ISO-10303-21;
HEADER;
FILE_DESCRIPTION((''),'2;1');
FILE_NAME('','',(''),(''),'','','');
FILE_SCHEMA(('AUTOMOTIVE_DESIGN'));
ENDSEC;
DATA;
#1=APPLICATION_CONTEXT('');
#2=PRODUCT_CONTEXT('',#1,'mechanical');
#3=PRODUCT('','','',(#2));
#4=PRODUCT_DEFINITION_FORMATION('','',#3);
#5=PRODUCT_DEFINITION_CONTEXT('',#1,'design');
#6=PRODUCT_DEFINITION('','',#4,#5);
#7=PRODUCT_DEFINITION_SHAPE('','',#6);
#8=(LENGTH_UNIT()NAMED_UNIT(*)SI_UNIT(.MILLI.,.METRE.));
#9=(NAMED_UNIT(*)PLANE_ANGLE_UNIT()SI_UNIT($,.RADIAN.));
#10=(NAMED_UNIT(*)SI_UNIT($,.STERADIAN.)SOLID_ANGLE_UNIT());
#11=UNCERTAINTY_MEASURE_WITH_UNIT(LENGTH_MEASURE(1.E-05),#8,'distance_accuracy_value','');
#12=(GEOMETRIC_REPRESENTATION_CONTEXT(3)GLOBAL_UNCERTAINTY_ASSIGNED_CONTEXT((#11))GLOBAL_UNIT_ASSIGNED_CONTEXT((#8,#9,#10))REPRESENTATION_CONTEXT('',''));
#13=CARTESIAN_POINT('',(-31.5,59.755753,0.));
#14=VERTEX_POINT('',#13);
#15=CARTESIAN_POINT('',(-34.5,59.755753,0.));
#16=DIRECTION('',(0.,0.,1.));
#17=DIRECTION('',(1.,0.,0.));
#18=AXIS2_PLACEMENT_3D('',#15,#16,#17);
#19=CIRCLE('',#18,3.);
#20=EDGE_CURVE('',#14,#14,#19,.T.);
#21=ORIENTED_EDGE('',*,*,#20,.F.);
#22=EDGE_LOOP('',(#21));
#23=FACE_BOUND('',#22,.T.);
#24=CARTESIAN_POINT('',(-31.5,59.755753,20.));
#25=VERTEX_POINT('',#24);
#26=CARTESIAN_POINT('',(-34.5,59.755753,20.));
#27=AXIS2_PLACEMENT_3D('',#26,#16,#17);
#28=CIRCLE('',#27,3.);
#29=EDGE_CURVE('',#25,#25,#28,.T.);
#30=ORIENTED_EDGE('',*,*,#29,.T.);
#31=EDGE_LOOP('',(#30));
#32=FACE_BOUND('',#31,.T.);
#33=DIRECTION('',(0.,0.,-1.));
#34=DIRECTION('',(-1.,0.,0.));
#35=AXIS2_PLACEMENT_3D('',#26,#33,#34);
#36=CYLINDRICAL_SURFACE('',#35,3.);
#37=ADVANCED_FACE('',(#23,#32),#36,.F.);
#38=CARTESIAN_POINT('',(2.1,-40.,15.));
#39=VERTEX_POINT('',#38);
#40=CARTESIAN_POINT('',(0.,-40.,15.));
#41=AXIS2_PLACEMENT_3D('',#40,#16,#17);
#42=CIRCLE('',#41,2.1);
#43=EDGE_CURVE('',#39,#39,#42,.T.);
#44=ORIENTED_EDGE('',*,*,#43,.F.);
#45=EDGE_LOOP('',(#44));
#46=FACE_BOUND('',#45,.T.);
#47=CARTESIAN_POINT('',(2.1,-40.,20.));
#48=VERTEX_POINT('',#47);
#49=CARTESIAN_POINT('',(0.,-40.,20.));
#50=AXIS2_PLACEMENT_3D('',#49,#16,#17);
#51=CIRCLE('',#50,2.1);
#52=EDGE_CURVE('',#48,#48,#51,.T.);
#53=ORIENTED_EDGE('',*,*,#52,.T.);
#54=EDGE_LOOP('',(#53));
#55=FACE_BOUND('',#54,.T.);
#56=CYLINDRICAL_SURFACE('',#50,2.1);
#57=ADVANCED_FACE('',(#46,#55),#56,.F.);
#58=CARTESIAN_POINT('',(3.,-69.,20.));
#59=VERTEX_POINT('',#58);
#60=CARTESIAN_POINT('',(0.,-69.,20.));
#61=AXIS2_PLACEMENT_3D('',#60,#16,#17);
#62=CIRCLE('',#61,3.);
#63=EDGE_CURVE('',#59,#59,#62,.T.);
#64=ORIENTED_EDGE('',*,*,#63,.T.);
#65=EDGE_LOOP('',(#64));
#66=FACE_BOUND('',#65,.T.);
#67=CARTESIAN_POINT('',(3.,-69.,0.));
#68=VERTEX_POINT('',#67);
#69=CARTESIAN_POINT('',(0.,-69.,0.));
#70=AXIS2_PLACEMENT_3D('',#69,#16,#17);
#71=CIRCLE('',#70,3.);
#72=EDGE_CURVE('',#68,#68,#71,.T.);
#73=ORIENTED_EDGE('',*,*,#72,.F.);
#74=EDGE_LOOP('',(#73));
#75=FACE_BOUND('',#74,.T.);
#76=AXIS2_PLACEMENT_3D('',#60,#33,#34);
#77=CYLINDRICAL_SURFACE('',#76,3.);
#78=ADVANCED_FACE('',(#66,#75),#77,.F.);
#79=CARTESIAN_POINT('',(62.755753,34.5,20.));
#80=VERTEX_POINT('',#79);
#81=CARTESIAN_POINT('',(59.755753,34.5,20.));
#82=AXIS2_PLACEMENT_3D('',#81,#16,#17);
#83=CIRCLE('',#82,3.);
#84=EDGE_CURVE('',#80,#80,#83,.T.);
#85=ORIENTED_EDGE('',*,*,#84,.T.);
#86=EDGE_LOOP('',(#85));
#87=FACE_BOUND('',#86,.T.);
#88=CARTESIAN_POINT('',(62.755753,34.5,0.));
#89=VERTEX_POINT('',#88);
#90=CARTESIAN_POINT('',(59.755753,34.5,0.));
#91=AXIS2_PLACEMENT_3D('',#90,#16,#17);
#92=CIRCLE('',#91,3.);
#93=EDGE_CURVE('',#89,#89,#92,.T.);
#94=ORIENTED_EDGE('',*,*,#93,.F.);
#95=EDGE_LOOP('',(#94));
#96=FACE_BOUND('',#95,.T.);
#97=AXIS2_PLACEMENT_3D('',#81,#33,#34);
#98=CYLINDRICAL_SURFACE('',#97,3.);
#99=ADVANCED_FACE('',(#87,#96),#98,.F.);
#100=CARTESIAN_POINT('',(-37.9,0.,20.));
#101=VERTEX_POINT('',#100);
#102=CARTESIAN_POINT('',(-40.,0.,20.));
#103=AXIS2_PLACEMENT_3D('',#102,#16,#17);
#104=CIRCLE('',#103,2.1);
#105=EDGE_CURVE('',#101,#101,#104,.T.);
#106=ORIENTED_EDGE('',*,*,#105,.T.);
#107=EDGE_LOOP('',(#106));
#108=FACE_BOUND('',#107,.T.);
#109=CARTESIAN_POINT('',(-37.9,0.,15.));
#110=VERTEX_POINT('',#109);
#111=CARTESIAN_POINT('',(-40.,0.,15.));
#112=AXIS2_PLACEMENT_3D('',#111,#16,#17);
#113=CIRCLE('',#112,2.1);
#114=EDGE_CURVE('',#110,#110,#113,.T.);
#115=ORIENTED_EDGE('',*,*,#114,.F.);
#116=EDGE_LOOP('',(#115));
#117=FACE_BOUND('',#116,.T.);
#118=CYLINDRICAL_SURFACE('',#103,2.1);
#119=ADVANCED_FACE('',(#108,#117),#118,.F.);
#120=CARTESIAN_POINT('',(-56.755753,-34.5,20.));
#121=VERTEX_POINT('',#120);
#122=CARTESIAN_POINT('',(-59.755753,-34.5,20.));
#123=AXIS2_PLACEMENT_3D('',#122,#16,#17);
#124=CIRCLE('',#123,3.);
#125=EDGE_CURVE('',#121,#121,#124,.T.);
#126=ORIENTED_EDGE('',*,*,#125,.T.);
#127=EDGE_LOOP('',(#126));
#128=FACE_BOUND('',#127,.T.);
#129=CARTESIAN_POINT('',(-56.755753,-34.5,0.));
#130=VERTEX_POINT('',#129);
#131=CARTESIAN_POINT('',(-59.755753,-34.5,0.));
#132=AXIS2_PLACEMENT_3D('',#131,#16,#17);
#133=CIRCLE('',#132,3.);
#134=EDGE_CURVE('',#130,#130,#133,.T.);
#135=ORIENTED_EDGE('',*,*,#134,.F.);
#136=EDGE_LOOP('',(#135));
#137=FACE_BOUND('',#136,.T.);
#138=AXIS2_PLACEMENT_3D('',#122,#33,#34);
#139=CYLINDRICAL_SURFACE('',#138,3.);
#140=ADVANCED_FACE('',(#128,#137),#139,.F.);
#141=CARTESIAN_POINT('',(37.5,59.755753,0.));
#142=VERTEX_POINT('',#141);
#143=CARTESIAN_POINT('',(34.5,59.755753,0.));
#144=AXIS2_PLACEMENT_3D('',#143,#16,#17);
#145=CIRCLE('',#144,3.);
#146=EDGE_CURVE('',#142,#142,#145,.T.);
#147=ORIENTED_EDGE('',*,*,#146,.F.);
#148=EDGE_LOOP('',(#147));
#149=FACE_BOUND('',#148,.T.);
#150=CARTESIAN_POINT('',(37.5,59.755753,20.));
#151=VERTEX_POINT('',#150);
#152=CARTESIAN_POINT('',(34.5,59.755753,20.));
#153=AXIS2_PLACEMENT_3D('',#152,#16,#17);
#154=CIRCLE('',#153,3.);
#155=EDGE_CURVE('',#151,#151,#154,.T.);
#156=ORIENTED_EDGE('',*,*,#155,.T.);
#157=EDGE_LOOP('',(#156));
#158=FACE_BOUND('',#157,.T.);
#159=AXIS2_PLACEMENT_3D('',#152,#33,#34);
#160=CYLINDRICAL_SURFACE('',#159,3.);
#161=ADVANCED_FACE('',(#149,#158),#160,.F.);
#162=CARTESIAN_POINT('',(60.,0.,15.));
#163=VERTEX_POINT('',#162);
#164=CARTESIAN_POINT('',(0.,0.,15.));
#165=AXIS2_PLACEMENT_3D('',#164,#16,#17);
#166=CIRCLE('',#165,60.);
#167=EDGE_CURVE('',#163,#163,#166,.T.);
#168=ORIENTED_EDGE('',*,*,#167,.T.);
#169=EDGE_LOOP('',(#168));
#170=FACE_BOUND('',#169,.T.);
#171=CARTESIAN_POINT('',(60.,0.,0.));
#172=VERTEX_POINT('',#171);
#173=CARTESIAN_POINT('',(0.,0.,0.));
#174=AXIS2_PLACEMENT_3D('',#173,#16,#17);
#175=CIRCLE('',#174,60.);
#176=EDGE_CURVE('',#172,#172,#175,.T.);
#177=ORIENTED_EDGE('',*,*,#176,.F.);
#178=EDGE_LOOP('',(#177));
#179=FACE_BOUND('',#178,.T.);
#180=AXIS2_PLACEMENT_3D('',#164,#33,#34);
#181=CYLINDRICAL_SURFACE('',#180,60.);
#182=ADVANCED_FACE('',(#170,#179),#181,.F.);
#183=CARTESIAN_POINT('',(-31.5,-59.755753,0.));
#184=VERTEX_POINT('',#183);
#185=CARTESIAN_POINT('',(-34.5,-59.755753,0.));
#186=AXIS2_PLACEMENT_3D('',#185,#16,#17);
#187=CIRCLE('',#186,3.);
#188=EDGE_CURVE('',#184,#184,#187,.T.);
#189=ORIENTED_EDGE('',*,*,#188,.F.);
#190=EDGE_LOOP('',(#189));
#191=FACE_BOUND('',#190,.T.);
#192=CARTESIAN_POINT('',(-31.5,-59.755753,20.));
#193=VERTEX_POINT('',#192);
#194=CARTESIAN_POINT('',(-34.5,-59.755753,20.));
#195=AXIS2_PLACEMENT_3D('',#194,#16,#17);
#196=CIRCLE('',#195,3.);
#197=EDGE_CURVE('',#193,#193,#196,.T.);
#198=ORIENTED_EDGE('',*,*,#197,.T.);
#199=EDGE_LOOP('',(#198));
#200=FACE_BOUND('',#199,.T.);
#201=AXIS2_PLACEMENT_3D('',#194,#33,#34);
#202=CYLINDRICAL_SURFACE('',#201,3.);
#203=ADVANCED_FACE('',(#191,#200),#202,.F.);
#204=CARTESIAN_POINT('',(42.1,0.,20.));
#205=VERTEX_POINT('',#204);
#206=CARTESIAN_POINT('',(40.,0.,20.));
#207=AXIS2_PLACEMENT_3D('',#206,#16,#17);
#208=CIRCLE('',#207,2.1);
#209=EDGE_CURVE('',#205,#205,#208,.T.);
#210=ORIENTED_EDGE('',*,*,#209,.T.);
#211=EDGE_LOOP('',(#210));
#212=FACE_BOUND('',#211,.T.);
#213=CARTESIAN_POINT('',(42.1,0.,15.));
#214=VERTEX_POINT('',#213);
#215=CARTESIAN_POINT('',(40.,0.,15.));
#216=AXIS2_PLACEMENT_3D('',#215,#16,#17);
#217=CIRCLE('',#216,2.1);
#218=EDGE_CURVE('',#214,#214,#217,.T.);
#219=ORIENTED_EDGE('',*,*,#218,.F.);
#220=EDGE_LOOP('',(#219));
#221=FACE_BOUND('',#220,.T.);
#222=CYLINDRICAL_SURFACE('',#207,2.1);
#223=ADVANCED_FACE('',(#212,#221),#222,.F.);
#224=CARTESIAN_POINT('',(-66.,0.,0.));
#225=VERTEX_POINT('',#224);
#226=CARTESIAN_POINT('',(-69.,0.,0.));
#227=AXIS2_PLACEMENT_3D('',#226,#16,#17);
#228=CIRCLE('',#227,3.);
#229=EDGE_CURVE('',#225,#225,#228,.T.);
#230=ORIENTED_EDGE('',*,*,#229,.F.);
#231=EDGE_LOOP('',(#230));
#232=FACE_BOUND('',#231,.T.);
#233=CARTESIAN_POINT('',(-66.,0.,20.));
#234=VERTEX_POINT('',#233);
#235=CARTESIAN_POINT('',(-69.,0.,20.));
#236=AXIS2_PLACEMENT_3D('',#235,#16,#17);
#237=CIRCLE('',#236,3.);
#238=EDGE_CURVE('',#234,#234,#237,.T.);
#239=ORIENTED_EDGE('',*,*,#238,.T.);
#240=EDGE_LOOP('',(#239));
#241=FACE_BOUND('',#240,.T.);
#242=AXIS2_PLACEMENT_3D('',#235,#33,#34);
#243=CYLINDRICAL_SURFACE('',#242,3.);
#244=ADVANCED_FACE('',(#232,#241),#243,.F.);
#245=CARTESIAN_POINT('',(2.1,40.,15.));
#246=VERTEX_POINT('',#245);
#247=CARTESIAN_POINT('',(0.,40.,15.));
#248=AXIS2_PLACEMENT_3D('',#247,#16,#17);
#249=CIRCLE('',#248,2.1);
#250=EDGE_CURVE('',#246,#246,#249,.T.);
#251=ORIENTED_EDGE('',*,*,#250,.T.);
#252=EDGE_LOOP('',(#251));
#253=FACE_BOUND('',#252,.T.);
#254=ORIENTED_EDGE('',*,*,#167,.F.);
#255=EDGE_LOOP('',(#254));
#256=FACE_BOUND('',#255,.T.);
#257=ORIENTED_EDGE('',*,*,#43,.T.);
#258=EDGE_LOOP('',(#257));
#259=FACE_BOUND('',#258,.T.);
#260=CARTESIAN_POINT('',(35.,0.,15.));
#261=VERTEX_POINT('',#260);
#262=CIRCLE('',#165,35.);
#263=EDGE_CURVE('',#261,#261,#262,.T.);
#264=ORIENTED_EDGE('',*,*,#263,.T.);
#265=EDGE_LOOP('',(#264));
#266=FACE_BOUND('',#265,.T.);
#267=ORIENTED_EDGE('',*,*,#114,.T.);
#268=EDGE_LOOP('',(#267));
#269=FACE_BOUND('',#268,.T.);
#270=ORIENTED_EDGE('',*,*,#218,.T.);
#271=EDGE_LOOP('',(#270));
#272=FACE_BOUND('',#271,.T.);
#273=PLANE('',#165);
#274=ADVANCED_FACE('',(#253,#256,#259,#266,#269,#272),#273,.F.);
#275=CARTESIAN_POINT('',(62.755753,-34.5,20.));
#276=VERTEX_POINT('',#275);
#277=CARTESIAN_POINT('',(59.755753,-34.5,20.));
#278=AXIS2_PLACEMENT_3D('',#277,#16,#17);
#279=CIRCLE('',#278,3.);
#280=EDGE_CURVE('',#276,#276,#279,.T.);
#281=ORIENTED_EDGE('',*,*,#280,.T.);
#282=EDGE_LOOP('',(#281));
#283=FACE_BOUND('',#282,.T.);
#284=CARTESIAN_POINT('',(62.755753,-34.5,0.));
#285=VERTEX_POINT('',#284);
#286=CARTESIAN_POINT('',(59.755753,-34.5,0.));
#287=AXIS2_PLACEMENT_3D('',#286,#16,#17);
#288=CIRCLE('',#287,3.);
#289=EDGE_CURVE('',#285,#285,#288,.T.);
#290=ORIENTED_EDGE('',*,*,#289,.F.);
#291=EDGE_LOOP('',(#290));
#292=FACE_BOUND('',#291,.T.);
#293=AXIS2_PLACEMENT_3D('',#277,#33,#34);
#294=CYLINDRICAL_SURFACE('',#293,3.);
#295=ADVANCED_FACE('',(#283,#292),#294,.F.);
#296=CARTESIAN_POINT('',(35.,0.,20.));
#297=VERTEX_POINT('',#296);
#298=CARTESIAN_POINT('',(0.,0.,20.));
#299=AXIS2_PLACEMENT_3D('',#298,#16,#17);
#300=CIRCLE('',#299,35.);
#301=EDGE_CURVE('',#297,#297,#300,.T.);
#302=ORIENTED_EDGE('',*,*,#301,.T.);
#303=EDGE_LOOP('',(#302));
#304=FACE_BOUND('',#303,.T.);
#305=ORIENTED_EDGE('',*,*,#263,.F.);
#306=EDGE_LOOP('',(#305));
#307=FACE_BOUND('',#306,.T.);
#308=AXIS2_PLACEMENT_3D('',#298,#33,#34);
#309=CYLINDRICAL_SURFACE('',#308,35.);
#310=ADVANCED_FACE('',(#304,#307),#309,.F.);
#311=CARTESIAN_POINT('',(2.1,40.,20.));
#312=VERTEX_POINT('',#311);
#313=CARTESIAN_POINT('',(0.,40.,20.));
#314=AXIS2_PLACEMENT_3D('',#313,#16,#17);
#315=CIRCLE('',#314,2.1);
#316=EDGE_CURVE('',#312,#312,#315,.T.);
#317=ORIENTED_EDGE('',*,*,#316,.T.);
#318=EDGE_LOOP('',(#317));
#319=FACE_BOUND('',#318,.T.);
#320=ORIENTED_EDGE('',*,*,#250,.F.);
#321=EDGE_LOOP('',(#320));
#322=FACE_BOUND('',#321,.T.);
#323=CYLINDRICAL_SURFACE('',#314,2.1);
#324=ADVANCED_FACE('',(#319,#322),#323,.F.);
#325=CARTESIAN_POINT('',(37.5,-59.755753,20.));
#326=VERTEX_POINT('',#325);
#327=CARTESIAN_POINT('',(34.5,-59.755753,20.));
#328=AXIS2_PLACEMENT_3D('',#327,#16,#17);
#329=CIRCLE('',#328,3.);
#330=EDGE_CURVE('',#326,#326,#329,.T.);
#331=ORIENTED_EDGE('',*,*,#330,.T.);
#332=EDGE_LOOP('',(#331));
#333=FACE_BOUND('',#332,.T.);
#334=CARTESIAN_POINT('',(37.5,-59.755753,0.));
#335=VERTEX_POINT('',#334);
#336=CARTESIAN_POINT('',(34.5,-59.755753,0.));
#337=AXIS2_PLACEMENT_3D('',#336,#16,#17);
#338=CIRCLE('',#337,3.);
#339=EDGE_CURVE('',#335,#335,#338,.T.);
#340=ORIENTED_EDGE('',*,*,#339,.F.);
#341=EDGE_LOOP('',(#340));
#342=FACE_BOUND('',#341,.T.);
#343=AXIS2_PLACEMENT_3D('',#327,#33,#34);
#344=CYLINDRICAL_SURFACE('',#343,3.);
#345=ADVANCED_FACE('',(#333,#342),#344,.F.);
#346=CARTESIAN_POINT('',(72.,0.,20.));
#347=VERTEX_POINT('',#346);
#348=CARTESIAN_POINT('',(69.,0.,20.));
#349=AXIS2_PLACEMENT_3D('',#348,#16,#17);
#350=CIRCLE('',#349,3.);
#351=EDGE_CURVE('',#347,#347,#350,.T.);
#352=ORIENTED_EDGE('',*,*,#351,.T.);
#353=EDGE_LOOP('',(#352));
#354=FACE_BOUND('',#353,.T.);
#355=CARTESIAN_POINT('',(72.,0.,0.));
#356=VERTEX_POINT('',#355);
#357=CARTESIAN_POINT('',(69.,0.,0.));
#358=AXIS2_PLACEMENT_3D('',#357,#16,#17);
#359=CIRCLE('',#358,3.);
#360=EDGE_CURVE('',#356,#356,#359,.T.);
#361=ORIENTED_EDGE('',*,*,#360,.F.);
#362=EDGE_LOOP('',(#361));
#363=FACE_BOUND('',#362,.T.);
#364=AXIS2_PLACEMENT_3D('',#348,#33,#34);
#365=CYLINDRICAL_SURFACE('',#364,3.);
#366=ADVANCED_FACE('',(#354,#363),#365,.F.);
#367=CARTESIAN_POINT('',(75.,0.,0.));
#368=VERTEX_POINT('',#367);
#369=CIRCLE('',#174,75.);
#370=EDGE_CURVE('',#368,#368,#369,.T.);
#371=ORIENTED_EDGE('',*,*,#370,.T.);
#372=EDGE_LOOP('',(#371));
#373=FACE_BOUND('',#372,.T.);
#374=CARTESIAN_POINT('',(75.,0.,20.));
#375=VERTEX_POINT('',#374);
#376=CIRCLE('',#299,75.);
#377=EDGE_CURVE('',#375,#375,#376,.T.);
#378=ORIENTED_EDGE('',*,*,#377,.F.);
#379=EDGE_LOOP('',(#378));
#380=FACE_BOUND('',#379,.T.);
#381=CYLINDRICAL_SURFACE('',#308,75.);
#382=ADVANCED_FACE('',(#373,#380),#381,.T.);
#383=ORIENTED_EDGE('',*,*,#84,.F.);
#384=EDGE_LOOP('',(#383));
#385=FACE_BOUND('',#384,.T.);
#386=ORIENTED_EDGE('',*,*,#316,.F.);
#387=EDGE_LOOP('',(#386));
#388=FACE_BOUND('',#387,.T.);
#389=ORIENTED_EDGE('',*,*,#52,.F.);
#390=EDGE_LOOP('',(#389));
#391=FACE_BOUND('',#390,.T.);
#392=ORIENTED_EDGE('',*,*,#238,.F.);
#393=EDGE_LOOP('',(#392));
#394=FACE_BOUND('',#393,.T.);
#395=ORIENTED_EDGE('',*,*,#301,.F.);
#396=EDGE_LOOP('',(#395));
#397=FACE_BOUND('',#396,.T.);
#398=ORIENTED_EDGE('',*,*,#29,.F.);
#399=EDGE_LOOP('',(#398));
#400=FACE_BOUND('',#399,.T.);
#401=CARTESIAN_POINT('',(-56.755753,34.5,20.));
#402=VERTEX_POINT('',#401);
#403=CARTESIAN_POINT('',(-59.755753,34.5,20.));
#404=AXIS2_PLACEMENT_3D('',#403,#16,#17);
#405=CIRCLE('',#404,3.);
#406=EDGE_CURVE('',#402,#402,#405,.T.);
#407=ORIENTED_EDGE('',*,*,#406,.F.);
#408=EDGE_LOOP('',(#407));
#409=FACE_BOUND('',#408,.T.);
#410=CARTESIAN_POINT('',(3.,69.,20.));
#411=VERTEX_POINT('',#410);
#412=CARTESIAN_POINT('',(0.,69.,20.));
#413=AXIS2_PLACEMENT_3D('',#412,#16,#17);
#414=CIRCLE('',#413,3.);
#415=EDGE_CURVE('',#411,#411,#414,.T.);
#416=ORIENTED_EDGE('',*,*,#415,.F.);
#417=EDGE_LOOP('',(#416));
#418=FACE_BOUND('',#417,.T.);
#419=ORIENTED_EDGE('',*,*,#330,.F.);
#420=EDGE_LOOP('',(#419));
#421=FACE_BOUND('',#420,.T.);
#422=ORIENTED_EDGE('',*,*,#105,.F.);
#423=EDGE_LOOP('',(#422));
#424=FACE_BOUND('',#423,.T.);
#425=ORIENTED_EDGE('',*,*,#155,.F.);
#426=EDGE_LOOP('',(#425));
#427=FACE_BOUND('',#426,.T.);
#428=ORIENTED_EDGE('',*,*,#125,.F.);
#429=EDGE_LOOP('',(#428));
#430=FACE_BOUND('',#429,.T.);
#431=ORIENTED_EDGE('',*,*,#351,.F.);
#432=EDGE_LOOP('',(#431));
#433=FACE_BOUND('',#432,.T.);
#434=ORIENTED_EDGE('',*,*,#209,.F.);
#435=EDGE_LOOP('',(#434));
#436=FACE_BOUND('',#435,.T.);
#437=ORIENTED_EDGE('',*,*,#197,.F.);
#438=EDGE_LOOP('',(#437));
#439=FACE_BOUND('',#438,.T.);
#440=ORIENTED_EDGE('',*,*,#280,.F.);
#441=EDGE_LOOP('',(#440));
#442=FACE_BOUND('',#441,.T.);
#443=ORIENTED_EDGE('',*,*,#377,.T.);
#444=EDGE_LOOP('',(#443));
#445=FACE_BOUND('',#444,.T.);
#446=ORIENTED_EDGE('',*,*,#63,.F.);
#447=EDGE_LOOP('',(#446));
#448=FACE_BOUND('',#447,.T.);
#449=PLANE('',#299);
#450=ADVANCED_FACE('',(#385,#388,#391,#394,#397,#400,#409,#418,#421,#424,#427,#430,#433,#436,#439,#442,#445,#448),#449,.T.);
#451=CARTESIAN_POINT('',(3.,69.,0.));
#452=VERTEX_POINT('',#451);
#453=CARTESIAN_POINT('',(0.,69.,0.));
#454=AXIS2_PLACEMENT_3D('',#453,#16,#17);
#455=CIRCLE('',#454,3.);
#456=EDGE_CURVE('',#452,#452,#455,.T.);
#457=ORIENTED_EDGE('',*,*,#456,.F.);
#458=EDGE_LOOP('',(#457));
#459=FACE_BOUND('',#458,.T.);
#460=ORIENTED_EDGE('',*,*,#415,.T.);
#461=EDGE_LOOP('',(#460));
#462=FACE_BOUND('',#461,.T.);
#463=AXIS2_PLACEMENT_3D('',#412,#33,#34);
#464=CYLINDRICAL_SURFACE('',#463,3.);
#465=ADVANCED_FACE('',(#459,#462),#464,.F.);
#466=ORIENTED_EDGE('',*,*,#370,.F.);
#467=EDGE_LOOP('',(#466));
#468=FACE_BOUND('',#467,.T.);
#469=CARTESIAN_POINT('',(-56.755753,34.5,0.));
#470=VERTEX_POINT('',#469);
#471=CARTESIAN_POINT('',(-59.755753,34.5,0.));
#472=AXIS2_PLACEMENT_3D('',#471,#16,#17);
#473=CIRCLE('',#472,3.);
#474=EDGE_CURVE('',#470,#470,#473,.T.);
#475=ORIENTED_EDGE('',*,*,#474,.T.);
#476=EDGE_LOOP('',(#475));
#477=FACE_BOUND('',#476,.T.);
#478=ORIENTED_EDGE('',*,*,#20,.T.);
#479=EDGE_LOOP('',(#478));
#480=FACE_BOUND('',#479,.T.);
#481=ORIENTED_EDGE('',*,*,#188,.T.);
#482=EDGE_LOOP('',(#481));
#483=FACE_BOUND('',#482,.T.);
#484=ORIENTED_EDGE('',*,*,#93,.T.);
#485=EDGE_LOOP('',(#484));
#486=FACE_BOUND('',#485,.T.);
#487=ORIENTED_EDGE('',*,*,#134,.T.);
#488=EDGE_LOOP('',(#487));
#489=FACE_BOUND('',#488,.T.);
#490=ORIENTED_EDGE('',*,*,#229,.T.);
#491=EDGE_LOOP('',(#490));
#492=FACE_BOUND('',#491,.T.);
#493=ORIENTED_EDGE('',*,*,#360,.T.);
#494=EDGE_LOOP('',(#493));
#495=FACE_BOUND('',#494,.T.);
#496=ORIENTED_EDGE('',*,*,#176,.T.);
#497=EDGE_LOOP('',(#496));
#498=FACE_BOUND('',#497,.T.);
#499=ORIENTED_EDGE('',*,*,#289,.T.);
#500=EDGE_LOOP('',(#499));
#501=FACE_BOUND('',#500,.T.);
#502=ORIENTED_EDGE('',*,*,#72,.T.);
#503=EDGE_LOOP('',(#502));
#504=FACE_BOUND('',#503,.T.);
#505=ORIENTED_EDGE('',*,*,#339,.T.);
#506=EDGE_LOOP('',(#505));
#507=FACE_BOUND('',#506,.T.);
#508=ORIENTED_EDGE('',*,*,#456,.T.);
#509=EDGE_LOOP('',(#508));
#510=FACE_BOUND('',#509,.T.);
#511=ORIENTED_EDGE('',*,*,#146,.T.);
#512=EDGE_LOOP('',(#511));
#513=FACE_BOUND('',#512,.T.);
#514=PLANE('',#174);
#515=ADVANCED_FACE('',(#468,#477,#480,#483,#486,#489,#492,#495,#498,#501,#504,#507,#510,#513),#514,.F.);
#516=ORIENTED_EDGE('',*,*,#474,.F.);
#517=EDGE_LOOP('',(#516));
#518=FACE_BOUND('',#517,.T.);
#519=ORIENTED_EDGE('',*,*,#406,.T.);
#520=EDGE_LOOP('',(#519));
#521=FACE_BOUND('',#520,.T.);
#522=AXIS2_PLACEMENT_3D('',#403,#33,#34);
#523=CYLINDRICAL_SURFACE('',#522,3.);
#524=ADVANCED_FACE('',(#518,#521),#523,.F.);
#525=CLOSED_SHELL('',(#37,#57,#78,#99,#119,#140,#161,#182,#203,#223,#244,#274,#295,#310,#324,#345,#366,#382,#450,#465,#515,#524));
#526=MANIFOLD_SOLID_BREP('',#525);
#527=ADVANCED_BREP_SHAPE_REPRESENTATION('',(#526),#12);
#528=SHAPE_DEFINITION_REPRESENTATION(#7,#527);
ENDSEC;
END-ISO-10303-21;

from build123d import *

# Parameters (mm, degrees)
SKETCH_1_R          = 75
SKETCH_1_R_2        = 35
SKETCH_1_R_3        = 3
EXTRUDE_1_DEPTH     = 20
SKETCH_2_R          = 60
CUT_EXTRUDE_1_DEPTH = 15
HOLE_WIZARD_M5_2_D  = 4.2


with BuildPart() as part:
    # 草图1 → 凸台-拉伸1 (new body)
    with BuildSketch(Plane.XY):
        Circle(SKETCH_1_R)
        Circle(SKETCH_1_R_2, mode=Mode.SUBTRACT)
        with Locations((-69, 0)):
            Circle(SKETCH_1_R_3, mode=Mode.SUBTRACT)
        with Locations((-59.755752861, 34.5)):
            Circle(SKETCH_1_R_3, mode=Mode.SUBTRACT)
        with Locations((-34.5, 59.755752861)):
            Circle(SKETCH_1_R_3, mode=Mode.SUBTRACT)
        with Locations((0, 69)):
            Circle(SKETCH_1_R_3, mode=Mode.SUBTRACT)
        with Locations((34.5, 59.755752861)):
            Circle(SKETCH_1_R_3, mode=Mode.SUBTRACT)
        with Locations((59.755752861, 34.5)):
            Circle(SKETCH_1_R_3, mode=Mode.SUBTRACT)
        with Locations((69, 0)):
            Circle(SKETCH_1_R_3, mode=Mode.SUBTRACT)
        with Locations((59.755752861, -34.5)):
            Circle(SKETCH_1_R_3, mode=Mode.SUBTRACT)
        with Locations((34.5, -59.755752861)):
            Circle(SKETCH_1_R_3, mode=Mode.SUBTRACT)
        with Locations((0, -69)):
            Circle(SKETCH_1_R_3, mode=Mode.SUBTRACT)
        with Locations((-34.5, -59.755752861)):
            Circle(SKETCH_1_R_3, mode=Mode.SUBTRACT)
        with Locations((-59.755752861, -34.5)):
            Circle(SKETCH_1_R_3, mode=Mode.SUBTRACT)
    extrude(amount=EXTRUDE_1_DEPTH)

    # 草图2 → 切除-拉伸1 (cut)
    with BuildSketch(Plane.XY):
        Circle(SKETCH_2_R)
    extrude(amount=CUT_EXTRUDE_1_DEPTH, mode=Mode.SUBTRACT)

    # M5 螺纹孔的螺纹孔钻头2 (through all)
    with Locations(Plane.XY.offset(20)):
        with Locations((0, 40), (40, 0), (0, -40), (-40, 0)):
            Hole(HOLE_WIZARD_M5_2_D / 2)


solid = part.part
